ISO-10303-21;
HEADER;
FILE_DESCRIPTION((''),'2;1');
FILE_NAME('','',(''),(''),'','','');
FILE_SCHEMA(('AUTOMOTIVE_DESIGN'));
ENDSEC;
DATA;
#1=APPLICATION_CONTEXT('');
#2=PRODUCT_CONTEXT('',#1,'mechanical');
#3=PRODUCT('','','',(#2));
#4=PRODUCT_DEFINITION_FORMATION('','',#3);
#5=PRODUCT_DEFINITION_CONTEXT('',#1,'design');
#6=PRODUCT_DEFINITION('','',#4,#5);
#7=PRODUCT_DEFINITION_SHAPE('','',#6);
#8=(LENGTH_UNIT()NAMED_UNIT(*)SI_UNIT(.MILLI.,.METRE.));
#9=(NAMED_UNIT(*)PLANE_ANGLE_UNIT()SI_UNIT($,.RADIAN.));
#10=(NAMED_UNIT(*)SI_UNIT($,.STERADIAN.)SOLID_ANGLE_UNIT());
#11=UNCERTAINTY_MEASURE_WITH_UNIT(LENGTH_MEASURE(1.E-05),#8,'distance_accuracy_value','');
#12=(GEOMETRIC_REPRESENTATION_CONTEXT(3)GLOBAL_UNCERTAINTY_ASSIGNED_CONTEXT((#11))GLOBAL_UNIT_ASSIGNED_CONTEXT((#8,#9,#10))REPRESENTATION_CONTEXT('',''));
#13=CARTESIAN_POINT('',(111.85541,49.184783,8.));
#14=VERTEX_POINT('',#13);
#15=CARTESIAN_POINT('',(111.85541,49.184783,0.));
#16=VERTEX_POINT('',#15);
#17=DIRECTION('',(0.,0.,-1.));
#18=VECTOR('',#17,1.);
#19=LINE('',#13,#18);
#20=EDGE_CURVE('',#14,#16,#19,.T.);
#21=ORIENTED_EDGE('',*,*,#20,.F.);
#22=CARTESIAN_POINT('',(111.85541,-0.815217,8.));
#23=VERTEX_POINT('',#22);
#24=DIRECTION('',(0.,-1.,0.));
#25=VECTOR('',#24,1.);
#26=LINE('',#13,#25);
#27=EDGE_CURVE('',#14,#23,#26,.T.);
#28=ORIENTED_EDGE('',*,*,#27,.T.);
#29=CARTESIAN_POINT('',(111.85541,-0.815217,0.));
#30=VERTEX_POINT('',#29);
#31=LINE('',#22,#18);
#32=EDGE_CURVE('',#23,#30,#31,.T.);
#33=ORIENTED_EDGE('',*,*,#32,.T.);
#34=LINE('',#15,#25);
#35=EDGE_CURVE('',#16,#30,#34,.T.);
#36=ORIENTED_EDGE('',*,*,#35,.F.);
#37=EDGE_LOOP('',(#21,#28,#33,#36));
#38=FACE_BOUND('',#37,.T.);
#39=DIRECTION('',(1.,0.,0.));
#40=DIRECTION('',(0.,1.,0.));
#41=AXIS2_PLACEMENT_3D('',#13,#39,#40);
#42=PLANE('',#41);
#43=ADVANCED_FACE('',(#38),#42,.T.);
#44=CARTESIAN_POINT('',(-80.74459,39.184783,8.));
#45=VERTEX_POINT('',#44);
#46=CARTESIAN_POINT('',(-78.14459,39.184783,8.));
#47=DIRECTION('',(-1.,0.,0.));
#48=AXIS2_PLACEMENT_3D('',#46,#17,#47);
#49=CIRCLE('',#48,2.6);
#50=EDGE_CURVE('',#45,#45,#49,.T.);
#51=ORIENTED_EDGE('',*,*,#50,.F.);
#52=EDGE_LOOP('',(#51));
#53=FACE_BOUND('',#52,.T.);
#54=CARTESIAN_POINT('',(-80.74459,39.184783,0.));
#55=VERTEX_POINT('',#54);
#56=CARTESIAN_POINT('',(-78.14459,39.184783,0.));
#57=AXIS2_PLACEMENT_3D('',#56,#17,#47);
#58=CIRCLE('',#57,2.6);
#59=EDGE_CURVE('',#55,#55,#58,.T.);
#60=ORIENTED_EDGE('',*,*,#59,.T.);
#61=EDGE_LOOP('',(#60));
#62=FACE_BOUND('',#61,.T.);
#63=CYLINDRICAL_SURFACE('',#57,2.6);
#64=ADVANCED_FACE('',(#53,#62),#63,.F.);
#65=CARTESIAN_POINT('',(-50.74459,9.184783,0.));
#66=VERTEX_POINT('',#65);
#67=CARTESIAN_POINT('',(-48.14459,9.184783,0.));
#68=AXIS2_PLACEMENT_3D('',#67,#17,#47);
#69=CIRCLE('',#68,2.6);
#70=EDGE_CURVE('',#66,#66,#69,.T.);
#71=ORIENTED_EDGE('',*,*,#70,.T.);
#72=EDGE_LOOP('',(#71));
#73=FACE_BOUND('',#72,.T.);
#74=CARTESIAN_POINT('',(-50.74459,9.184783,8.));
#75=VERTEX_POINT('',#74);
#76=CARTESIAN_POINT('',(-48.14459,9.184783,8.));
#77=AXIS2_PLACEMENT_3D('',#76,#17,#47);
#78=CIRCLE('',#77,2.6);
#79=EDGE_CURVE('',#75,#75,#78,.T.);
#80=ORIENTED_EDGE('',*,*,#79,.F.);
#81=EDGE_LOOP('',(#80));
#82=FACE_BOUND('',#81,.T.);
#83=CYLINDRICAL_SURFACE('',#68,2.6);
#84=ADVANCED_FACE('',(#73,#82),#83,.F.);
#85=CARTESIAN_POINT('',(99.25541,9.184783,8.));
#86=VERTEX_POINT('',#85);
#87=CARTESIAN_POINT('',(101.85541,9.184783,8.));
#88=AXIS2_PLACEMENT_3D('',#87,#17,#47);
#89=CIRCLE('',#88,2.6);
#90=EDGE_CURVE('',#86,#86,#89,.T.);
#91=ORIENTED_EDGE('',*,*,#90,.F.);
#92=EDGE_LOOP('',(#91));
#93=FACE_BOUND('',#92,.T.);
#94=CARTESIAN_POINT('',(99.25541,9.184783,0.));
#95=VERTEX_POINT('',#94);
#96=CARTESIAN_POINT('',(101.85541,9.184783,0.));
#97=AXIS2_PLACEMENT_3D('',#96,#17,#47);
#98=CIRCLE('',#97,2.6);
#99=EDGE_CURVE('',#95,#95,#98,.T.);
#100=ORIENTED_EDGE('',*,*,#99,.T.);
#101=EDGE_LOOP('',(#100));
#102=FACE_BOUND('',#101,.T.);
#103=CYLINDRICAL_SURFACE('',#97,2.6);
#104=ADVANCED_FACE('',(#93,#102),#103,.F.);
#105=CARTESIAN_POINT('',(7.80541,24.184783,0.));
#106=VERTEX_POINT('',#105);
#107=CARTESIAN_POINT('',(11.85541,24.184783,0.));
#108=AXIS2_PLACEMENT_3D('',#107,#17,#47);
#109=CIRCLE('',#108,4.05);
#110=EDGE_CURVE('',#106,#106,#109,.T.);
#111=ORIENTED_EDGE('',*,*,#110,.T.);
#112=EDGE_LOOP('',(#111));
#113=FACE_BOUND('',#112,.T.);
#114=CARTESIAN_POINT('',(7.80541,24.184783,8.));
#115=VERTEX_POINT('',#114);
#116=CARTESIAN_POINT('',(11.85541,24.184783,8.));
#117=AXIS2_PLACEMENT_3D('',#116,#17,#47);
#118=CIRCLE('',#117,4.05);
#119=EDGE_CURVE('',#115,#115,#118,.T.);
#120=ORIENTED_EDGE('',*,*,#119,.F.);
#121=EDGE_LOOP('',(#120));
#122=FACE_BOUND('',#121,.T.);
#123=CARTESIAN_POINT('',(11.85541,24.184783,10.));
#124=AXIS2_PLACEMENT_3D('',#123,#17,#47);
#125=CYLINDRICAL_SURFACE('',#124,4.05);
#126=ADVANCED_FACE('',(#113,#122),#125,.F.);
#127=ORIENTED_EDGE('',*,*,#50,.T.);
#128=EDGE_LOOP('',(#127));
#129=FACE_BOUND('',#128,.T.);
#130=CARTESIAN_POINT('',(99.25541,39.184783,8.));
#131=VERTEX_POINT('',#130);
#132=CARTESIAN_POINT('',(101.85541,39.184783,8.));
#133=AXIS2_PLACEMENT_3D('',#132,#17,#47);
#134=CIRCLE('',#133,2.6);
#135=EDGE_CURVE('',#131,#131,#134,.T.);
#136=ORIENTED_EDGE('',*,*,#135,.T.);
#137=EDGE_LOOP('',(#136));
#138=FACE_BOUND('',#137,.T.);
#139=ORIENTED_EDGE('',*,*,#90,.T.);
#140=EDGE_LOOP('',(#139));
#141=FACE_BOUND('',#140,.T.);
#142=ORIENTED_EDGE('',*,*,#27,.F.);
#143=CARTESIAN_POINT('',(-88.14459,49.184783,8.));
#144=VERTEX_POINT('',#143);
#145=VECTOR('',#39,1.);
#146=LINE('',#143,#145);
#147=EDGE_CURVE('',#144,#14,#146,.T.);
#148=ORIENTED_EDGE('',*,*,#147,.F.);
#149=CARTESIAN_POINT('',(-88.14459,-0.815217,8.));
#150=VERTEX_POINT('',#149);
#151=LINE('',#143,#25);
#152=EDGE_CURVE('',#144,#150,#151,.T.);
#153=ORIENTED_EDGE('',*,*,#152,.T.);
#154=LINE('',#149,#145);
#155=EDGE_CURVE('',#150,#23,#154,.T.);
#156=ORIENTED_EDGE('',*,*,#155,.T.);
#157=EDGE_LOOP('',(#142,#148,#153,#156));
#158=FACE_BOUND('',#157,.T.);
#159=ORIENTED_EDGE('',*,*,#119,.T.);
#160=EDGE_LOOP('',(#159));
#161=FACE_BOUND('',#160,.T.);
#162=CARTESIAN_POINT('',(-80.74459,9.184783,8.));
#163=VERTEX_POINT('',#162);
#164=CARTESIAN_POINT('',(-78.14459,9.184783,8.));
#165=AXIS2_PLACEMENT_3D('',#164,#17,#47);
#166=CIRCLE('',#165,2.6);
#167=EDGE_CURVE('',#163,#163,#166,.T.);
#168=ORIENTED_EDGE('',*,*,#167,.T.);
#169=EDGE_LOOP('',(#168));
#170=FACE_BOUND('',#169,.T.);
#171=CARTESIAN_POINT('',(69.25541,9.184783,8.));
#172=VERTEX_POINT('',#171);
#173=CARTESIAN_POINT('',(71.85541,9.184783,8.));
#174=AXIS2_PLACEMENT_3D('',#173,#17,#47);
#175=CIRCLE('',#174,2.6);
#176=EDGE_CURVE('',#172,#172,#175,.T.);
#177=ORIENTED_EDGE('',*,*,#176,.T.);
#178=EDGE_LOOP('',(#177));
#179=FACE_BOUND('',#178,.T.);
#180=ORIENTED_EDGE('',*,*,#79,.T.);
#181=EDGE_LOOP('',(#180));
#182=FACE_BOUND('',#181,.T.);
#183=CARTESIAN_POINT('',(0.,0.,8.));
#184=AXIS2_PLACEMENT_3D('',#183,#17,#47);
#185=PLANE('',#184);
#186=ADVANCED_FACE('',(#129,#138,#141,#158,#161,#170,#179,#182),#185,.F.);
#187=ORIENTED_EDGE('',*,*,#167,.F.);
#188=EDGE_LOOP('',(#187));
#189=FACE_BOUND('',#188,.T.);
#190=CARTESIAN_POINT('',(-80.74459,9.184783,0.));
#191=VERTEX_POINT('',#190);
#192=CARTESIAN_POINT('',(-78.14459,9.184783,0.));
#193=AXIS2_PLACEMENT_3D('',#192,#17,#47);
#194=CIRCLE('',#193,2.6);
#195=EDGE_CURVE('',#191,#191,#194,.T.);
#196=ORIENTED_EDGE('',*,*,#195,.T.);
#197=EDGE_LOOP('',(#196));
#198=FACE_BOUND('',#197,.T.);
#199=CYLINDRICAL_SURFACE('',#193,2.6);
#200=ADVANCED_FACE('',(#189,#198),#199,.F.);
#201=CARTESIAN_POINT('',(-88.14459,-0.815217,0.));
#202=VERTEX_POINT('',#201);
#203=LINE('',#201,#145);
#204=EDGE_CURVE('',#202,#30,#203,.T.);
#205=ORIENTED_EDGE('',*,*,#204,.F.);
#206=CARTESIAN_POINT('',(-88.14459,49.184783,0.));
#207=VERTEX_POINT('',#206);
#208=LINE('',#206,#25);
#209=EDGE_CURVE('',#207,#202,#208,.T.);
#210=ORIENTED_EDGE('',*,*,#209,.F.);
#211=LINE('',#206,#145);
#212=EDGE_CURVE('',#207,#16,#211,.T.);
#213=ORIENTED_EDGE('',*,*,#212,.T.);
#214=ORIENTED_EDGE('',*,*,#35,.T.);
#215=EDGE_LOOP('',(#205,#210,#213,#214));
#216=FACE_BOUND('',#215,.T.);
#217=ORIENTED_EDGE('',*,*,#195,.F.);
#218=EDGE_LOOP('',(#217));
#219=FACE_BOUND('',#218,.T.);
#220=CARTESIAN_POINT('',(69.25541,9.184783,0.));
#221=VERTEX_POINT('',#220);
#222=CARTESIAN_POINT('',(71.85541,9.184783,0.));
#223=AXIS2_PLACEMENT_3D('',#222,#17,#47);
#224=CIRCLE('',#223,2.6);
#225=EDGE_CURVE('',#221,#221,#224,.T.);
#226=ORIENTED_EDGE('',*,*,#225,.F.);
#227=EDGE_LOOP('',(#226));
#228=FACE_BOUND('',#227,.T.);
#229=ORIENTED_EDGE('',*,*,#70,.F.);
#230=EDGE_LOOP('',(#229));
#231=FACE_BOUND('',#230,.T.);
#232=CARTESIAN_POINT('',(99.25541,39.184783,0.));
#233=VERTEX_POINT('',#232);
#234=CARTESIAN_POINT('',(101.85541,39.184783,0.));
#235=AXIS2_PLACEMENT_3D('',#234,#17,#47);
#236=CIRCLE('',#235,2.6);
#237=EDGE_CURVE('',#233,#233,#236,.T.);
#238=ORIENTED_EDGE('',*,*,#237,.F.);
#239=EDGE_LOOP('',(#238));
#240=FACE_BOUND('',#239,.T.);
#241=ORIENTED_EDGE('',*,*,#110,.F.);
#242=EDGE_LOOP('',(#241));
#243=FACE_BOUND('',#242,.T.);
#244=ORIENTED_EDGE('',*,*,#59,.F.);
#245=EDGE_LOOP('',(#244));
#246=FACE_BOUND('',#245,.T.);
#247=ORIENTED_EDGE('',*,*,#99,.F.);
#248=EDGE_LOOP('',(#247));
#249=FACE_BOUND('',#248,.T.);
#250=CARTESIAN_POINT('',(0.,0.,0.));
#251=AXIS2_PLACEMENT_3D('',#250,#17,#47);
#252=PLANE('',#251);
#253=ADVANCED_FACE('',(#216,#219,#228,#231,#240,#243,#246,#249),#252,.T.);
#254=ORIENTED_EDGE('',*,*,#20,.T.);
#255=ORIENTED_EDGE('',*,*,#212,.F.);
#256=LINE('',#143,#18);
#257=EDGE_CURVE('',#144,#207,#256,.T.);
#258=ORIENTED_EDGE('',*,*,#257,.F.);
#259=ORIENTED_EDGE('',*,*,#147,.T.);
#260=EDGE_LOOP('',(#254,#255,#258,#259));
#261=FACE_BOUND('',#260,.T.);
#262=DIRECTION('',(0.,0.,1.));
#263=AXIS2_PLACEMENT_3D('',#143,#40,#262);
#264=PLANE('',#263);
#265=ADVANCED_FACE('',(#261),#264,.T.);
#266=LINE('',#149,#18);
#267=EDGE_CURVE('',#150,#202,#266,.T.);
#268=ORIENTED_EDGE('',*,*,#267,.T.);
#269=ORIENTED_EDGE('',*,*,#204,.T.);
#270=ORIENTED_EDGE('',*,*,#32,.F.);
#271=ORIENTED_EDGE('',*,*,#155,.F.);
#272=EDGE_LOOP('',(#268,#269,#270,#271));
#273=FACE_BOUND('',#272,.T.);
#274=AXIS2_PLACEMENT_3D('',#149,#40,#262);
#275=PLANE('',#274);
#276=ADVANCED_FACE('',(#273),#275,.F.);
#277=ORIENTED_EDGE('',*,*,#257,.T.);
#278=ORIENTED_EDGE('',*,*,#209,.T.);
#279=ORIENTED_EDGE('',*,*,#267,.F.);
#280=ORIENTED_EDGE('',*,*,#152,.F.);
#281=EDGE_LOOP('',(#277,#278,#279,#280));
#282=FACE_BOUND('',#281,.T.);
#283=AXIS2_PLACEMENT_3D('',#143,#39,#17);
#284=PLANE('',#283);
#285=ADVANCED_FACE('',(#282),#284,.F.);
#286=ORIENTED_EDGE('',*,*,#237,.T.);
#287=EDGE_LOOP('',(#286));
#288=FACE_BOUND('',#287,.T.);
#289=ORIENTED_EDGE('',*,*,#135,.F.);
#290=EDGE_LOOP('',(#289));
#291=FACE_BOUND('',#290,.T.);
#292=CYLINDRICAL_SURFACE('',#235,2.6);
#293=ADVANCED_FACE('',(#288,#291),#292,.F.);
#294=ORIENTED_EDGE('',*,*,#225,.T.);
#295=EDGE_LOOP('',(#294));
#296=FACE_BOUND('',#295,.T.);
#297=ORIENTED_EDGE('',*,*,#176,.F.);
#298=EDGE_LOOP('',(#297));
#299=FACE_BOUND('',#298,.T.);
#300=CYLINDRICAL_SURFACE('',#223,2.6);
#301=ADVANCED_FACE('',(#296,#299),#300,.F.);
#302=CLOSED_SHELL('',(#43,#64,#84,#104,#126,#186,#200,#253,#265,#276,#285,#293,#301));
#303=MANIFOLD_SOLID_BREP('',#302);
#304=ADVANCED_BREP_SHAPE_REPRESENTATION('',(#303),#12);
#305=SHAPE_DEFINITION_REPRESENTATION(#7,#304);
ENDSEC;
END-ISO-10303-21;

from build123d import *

# Parameters (mm, degrees)
IZIM1_W                              = 200
IZIM1_H                              = 50
Y_KSEKLIK_EKSTR_ZYON1_DEPTH          = 8
M5_HELISARMAL_I_IN_Z_VANA_MATKAB_1_D = 5.2
M5_HELISARMAL_I_IN_Z_VANA_MATKAB_2_D = 5.2
KES_EKSTR_ZYON1_DEPTH                = 10


with BuildPart() as part:
    # Çizim1 → Yükseklik-Ekstrüzyon1 (new body)
    with BuildSketch(Plane.XY):
        with Locations((11.855409505, 24.184782609)):
            Rectangle(IZIM1_W, IZIM1_H)
    extrude(amount=Y_KSEKLIK_EKSTR_ZYON1_DEPTH)

    # M5 Helisarmal için Zıvana matkabı1 (through all)
    with Locations(Plane(origin=(0, 0, 0), x_dir=(-1, 0, 0), z_dir=(0, 0, -1))):
        with Locations((-101.855409505, 39.184782609), (-101.855409505, 9.184782609), (78.144590495, 9.184782609), (78.144590495, 39.184782609)):
            Hole(M5_HELISARMAL_I_IN_Z_VANA_MATKAB_1_D / 2)

    # M5 Helisarmal için Zıvana matkabı2 (through all)
    with Locations(Plane(origin=(71.855409505, 9.184782609, 0), x_dir=(-1, 0, 0), z_dir=(0, 0, -1))):
        with Locations((0, 0), (120, 0)):
            Hole(M5_HELISARMAL_I_IN_Z_VANA_MATKAB_2_D / 2)

    # Çizim8 → Kes-Ekstrüzyon1 (cut)
    with BuildSketch(Plane(origin=(0, 0, 0), x_dir=(-1, 0, 0), z_dir=(0, 0, -1))):
        with BuildLine():
            ThreePointArc((-7.805409505, 24.184782609), (-8.991627041, 27.048565073), (-11.855409505, 28.234782609))
            Line((-11.855409505, 28.234782609), (-11.855409505, 20.134782609))
            ThreePointArc((-11.855409505, 20.134782609), (-8.991627041, 21.321000145), (-7.805409505, 24.184782609))
        make_face()
        with BuildLine():
            Line((-11.855409505, 20.134782609), (-11.855409505, 28.234782609))
            ThreePointArc((-11.855409505, 28.234782609), (-15.905409505, 24.184782609), (-11.855409505, 20.134782609))
        make_face()
    extrude(amount=-KES_EKSTR_ZYON1_DEPTH, mode=Mode.SUBTRACT)


solid = part.part
